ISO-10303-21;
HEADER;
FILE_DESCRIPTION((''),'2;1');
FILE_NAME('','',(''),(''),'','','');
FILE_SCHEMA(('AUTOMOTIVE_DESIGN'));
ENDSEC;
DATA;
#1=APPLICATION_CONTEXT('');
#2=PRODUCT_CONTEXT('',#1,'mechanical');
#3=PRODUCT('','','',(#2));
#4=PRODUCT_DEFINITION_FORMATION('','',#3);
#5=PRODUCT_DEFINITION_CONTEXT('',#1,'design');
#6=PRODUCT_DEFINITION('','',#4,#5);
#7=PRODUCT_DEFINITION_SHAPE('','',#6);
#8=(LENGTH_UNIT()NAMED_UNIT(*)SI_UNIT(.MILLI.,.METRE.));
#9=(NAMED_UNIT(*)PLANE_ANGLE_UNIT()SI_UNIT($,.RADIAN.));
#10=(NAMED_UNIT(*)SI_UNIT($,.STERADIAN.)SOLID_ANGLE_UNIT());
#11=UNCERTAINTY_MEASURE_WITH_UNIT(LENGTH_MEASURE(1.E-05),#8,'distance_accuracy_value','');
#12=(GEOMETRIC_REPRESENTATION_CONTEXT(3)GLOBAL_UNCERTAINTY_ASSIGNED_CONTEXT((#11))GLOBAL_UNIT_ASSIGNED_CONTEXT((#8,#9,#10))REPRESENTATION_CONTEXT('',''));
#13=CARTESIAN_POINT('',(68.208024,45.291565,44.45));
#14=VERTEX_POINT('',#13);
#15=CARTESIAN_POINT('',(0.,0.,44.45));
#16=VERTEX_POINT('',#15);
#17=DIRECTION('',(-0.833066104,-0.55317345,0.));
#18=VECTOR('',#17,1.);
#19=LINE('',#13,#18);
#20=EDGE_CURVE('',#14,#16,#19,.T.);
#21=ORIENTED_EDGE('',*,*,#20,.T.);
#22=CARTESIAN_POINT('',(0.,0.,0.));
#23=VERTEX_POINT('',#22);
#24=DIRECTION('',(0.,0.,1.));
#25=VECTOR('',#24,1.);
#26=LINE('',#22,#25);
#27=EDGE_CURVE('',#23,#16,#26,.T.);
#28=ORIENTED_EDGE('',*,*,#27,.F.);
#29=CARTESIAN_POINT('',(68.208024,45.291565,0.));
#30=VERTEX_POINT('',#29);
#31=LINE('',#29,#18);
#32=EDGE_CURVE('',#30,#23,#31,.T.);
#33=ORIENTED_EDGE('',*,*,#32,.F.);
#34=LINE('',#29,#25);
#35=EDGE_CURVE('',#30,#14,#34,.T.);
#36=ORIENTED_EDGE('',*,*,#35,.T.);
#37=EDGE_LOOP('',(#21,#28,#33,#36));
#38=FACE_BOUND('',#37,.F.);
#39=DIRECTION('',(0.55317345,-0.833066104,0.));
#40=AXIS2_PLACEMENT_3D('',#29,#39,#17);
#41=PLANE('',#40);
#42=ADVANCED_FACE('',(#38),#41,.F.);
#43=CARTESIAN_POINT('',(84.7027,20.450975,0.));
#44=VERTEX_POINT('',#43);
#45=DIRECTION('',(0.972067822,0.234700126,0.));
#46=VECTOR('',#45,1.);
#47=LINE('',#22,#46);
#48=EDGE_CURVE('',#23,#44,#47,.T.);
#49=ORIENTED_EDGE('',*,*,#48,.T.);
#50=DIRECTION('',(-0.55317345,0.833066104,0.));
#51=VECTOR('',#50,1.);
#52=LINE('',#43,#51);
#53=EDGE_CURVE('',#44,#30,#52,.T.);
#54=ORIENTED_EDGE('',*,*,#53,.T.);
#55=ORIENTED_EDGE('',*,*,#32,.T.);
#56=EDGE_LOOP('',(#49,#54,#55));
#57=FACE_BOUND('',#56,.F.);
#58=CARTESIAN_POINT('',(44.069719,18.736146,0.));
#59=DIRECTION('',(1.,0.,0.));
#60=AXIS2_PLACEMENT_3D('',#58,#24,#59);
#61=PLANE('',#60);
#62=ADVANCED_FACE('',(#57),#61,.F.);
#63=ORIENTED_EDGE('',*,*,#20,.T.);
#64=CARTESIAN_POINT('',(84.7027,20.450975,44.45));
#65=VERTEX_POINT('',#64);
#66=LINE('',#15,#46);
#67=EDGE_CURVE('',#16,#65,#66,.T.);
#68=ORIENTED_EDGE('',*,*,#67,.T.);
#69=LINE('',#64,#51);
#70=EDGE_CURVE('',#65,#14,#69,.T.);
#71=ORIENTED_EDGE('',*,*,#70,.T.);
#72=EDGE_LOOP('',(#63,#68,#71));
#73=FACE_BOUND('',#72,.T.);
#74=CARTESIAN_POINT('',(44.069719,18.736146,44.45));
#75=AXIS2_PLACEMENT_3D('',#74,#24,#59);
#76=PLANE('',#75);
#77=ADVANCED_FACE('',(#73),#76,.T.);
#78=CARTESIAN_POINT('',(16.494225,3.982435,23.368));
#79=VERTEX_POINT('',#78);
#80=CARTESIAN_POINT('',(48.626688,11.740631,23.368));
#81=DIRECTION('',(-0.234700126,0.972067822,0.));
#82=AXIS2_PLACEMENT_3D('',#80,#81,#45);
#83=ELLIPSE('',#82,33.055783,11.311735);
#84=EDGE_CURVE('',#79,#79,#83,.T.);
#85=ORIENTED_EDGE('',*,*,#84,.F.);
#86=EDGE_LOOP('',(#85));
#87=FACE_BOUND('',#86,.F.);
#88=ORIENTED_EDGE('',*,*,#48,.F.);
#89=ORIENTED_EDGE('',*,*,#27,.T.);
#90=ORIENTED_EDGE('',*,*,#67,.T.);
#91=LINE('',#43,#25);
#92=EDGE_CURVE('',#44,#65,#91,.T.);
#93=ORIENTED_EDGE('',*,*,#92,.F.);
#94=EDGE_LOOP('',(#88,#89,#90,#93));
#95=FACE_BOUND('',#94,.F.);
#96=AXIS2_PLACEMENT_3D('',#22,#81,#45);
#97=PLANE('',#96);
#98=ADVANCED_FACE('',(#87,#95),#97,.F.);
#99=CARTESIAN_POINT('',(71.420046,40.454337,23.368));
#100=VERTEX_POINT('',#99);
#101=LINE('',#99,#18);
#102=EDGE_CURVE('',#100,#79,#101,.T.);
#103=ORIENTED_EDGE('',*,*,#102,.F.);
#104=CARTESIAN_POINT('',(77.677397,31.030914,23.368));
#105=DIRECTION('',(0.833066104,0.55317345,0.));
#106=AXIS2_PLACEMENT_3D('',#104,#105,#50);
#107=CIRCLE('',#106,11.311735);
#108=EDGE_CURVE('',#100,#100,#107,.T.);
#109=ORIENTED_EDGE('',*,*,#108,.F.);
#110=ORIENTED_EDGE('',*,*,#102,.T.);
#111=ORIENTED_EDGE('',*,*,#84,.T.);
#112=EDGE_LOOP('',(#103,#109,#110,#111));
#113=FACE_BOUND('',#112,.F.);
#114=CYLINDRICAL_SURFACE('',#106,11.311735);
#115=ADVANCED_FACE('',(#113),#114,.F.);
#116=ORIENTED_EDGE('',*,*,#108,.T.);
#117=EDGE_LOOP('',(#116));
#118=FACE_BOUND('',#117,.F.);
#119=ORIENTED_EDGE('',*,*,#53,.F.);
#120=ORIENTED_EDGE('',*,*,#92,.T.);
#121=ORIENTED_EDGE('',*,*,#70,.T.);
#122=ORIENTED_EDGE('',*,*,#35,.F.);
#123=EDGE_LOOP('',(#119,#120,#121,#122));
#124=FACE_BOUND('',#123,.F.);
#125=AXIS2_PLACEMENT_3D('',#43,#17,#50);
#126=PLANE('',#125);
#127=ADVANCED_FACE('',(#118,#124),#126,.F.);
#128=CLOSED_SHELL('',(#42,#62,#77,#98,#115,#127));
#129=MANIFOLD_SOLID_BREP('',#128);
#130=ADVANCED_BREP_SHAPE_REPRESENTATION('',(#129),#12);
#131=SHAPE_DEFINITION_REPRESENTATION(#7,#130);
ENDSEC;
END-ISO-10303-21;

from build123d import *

# Parameters (mm, degrees)
F1_DEPTH = 44.45
F2_R     = 11.3117348184
F3_DEPTH = 81.8768842258


with BuildPart() as f1:
    # F0 (on Top) → F1 (new body)
    with BuildSketch(Plane.XY):
        Polygon((68.2080239058, 45.2915653586), (0, 0), (84.7026997119, 20.45097456), align=None)
    extrude(amount=F1_DEPTH)

    # F2 (on face) → F3 (cut, through all)
    with BuildSketch(Plane(origin=(68.2080239058, 45.2915653586, 0), x_dir=(-0.5531734501, 0.8330661043, 0), z_dir=(0.8330661043, 0.5531734501, 0))):
        with Locations((-17.1182709287, 23.368)):
            Circle(F2_R)
    extrude(amount=-F3_DEPTH, mode=Mode.SUBTRACT)


solid = f1.part
